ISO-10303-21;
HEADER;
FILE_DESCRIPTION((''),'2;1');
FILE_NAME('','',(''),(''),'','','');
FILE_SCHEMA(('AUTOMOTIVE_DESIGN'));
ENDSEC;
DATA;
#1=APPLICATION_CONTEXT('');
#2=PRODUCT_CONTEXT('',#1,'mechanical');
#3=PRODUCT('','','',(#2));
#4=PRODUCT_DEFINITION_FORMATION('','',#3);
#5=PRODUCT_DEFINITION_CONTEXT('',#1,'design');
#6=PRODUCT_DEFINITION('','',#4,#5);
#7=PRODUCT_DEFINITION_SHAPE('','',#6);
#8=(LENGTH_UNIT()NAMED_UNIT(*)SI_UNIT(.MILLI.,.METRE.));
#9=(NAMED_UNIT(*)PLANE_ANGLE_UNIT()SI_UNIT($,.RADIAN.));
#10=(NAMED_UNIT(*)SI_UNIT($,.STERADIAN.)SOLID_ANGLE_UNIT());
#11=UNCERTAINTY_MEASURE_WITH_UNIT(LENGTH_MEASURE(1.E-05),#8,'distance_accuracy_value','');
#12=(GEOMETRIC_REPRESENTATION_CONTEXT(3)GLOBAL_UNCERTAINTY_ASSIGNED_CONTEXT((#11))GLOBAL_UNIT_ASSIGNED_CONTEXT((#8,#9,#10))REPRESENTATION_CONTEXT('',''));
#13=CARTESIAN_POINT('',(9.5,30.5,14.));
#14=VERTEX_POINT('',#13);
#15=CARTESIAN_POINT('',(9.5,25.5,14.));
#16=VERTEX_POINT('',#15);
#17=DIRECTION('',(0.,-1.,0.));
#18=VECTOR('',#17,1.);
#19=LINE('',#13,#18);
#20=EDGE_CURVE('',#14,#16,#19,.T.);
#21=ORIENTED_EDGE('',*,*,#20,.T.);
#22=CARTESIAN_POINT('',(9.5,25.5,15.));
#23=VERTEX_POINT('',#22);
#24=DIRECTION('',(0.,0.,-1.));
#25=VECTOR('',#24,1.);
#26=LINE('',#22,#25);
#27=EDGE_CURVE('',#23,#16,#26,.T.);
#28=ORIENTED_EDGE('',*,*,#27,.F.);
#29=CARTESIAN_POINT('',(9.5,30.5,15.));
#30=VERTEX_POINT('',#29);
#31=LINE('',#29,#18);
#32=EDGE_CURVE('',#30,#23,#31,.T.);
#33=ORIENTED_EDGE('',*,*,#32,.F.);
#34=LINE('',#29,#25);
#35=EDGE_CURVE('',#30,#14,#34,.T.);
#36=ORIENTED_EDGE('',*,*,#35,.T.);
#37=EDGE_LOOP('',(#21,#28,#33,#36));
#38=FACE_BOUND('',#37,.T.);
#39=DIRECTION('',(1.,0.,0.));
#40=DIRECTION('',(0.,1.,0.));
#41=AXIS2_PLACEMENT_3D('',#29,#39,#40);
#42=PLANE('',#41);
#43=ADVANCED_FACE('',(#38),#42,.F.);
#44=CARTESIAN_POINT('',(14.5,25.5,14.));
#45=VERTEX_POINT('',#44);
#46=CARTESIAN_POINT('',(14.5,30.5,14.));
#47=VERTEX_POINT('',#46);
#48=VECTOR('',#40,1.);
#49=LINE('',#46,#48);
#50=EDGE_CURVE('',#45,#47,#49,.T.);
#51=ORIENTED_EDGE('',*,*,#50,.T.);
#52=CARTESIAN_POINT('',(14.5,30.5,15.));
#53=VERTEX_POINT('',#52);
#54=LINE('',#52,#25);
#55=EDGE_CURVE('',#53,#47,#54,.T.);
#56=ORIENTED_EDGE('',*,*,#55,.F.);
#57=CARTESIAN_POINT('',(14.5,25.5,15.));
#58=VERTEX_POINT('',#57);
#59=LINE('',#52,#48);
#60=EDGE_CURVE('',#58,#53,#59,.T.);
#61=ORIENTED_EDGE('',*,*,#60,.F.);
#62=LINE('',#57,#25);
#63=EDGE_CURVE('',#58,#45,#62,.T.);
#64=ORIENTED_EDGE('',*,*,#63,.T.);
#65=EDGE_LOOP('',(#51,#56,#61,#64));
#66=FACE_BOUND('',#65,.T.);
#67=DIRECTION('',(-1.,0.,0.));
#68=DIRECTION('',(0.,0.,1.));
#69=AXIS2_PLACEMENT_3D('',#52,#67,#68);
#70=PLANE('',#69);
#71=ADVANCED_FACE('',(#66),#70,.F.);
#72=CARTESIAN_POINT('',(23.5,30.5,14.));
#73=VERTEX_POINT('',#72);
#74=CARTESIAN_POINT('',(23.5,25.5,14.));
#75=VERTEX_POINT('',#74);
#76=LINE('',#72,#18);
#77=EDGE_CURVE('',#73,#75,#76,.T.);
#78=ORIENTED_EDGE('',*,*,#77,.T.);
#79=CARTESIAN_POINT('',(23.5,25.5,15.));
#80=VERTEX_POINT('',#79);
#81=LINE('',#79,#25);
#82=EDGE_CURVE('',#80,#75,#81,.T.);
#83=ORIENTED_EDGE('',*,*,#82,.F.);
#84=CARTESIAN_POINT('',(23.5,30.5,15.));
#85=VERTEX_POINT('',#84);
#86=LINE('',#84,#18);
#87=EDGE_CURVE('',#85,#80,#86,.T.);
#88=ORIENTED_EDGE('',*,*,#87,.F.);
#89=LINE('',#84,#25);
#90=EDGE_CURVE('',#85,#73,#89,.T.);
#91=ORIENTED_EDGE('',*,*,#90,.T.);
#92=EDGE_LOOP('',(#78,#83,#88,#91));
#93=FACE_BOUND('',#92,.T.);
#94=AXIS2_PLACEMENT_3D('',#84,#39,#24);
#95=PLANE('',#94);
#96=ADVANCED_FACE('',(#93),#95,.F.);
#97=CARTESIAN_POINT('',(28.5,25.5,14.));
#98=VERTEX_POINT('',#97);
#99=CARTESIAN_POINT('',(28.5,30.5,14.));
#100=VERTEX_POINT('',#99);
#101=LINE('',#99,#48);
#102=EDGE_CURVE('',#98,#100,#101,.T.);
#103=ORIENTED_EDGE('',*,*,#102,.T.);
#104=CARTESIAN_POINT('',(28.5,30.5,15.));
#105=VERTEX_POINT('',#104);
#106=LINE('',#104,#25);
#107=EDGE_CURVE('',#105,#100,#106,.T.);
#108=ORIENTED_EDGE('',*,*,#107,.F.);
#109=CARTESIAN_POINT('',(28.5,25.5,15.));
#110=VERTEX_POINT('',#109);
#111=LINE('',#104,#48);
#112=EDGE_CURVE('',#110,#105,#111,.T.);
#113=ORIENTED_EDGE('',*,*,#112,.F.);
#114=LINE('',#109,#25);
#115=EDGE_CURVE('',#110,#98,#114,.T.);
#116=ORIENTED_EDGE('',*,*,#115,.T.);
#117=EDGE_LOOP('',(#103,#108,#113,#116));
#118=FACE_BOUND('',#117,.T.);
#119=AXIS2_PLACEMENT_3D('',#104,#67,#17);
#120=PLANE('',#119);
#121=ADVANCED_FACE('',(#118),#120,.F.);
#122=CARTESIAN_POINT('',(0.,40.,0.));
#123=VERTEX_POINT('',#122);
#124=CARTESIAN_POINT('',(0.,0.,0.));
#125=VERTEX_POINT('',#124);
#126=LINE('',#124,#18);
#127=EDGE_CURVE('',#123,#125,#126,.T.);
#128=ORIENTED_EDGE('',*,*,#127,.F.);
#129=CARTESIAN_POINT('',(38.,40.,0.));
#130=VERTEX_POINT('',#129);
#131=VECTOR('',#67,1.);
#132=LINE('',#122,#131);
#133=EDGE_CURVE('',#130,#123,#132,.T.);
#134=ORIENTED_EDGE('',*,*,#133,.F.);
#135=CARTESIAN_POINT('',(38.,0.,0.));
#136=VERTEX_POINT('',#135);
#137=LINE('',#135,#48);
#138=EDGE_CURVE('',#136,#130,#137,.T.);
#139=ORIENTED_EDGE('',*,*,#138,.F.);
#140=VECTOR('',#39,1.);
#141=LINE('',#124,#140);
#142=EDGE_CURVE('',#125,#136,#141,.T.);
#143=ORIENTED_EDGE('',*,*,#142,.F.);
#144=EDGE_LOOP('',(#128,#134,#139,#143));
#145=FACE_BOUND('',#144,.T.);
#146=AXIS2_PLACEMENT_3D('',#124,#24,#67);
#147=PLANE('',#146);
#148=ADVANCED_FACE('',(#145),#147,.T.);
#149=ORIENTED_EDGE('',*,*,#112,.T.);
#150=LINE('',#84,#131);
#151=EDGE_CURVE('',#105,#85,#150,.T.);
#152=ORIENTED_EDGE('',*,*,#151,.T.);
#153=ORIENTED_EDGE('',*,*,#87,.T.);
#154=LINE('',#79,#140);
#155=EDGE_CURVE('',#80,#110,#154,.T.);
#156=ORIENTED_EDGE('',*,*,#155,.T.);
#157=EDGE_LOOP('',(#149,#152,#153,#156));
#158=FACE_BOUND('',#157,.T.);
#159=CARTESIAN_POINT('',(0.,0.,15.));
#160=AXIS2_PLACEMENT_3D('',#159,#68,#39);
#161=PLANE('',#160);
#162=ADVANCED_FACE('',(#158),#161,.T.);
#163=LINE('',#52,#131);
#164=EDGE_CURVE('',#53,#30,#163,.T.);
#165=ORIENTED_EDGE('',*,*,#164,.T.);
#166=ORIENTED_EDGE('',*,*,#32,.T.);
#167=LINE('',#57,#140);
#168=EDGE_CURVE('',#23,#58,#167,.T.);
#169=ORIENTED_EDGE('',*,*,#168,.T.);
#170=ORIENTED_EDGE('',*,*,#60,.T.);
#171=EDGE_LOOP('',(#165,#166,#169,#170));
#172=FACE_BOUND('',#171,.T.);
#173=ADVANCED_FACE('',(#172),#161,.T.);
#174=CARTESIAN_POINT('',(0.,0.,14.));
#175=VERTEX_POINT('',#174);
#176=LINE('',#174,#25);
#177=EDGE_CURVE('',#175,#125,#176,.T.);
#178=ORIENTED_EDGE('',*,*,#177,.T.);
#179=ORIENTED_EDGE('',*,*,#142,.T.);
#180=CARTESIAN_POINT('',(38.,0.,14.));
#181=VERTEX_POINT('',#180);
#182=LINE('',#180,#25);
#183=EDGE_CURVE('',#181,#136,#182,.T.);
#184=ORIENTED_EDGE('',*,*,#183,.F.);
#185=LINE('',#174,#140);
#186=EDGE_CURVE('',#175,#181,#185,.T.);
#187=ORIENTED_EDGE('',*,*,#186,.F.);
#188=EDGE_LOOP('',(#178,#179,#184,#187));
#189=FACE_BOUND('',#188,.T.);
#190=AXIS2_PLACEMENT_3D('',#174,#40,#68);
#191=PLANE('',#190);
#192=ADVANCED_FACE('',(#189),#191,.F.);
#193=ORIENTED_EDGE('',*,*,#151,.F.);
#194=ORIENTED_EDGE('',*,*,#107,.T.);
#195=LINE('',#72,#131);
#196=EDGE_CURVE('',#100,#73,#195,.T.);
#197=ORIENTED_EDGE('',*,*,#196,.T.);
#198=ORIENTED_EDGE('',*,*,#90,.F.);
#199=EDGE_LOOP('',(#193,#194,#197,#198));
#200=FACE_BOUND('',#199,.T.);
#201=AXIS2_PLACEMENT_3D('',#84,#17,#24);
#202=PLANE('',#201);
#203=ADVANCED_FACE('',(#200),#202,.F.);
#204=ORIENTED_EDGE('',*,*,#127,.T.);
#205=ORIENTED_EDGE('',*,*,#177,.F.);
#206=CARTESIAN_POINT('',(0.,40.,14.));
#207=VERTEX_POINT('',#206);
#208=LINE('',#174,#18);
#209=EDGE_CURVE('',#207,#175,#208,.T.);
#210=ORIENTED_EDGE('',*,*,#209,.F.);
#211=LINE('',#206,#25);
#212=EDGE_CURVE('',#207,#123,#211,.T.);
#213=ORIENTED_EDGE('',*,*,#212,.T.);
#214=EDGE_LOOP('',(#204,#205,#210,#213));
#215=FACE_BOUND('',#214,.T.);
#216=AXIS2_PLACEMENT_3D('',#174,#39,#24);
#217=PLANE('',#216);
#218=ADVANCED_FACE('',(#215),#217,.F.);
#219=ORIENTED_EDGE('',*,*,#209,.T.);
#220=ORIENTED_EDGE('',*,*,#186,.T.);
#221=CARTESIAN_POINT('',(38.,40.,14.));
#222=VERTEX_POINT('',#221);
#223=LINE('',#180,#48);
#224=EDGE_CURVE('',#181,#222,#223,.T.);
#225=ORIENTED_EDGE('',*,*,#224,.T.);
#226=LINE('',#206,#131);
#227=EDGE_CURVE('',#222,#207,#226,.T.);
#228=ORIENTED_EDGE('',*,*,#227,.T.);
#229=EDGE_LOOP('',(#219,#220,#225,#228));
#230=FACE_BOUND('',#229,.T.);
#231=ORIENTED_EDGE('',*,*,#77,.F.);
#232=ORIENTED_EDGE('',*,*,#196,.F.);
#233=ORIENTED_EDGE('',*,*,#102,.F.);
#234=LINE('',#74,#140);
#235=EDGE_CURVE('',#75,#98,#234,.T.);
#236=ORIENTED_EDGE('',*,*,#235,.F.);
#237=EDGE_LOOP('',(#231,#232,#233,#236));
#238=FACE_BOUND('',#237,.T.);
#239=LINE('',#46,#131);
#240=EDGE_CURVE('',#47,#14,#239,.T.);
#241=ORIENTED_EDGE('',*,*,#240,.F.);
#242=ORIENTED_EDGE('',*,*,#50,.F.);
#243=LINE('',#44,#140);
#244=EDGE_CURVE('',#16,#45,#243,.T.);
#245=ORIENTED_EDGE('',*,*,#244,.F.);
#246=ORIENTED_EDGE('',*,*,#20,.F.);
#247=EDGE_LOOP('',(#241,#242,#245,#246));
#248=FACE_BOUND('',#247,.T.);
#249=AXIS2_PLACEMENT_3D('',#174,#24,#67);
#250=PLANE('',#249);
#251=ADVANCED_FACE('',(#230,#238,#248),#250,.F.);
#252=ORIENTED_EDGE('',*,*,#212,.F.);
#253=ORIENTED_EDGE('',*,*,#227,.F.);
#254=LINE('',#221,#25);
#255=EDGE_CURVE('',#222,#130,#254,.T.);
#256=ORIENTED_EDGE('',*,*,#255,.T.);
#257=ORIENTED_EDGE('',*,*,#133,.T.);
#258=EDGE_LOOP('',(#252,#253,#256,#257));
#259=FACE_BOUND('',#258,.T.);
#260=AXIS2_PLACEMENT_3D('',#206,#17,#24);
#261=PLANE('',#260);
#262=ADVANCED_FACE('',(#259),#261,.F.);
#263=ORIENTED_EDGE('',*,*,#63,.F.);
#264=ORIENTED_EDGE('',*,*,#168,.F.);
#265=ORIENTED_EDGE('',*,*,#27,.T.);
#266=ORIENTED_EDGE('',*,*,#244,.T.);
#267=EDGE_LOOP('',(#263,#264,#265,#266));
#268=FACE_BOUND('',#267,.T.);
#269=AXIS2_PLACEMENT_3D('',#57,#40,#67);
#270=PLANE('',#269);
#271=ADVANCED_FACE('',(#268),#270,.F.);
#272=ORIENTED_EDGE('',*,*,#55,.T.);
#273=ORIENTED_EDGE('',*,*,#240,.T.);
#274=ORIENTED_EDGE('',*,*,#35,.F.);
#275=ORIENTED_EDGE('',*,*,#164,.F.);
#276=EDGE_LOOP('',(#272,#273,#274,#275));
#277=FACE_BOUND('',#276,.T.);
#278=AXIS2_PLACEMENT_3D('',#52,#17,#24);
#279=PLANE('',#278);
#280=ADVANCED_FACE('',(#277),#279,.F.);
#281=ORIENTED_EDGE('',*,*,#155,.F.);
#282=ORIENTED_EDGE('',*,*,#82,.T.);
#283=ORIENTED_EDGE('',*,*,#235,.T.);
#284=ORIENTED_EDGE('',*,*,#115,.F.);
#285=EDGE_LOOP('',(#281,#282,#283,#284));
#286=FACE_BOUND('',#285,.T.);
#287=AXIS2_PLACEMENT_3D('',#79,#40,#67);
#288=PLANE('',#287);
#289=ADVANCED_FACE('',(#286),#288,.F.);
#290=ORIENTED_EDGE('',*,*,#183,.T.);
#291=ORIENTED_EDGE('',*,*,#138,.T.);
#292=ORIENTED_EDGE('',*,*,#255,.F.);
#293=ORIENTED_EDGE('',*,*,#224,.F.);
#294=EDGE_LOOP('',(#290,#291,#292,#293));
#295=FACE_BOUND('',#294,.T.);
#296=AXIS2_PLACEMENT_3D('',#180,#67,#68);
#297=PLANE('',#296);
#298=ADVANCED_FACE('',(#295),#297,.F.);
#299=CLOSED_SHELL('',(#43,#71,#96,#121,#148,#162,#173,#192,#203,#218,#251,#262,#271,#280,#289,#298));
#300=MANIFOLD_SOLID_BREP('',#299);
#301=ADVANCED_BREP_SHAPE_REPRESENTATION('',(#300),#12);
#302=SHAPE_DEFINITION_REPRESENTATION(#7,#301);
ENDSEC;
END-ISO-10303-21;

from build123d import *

# Parameters (mm, degrees)
SKETCH_1_W      = 38
SKETCH_1_H      = 40
EXTRUDE_1_DEPTH = 14
SKETCH_2_W      = 5
SKETCH_2_H      = 5
EXTRUDE_2_DEPTH = 1


with BuildPart() as part:
    # 草图1 → 凸台-拉伸1 (new body)
    with BuildSketch(Plane.XY):
        with Locations((19, 20)):
            Rectangle(SKETCH_1_W, SKETCH_1_H)
    extrude(amount=EXTRUDE_1_DEPTH)

    # 草图2 → 凸台-拉伸2 (add)
    with BuildSketch(Plane.XY.offset(14)):
        with Locations((26, 28)):
            Rectangle(SKETCH_2_W, SKETCH_2_H)
        with Locations((12, 28)):
            Rectangle(SKETCH_2_W, SKETCH_2_H)
    extrude(amount=EXTRUDE_2_DEPTH)


solid = part.part
